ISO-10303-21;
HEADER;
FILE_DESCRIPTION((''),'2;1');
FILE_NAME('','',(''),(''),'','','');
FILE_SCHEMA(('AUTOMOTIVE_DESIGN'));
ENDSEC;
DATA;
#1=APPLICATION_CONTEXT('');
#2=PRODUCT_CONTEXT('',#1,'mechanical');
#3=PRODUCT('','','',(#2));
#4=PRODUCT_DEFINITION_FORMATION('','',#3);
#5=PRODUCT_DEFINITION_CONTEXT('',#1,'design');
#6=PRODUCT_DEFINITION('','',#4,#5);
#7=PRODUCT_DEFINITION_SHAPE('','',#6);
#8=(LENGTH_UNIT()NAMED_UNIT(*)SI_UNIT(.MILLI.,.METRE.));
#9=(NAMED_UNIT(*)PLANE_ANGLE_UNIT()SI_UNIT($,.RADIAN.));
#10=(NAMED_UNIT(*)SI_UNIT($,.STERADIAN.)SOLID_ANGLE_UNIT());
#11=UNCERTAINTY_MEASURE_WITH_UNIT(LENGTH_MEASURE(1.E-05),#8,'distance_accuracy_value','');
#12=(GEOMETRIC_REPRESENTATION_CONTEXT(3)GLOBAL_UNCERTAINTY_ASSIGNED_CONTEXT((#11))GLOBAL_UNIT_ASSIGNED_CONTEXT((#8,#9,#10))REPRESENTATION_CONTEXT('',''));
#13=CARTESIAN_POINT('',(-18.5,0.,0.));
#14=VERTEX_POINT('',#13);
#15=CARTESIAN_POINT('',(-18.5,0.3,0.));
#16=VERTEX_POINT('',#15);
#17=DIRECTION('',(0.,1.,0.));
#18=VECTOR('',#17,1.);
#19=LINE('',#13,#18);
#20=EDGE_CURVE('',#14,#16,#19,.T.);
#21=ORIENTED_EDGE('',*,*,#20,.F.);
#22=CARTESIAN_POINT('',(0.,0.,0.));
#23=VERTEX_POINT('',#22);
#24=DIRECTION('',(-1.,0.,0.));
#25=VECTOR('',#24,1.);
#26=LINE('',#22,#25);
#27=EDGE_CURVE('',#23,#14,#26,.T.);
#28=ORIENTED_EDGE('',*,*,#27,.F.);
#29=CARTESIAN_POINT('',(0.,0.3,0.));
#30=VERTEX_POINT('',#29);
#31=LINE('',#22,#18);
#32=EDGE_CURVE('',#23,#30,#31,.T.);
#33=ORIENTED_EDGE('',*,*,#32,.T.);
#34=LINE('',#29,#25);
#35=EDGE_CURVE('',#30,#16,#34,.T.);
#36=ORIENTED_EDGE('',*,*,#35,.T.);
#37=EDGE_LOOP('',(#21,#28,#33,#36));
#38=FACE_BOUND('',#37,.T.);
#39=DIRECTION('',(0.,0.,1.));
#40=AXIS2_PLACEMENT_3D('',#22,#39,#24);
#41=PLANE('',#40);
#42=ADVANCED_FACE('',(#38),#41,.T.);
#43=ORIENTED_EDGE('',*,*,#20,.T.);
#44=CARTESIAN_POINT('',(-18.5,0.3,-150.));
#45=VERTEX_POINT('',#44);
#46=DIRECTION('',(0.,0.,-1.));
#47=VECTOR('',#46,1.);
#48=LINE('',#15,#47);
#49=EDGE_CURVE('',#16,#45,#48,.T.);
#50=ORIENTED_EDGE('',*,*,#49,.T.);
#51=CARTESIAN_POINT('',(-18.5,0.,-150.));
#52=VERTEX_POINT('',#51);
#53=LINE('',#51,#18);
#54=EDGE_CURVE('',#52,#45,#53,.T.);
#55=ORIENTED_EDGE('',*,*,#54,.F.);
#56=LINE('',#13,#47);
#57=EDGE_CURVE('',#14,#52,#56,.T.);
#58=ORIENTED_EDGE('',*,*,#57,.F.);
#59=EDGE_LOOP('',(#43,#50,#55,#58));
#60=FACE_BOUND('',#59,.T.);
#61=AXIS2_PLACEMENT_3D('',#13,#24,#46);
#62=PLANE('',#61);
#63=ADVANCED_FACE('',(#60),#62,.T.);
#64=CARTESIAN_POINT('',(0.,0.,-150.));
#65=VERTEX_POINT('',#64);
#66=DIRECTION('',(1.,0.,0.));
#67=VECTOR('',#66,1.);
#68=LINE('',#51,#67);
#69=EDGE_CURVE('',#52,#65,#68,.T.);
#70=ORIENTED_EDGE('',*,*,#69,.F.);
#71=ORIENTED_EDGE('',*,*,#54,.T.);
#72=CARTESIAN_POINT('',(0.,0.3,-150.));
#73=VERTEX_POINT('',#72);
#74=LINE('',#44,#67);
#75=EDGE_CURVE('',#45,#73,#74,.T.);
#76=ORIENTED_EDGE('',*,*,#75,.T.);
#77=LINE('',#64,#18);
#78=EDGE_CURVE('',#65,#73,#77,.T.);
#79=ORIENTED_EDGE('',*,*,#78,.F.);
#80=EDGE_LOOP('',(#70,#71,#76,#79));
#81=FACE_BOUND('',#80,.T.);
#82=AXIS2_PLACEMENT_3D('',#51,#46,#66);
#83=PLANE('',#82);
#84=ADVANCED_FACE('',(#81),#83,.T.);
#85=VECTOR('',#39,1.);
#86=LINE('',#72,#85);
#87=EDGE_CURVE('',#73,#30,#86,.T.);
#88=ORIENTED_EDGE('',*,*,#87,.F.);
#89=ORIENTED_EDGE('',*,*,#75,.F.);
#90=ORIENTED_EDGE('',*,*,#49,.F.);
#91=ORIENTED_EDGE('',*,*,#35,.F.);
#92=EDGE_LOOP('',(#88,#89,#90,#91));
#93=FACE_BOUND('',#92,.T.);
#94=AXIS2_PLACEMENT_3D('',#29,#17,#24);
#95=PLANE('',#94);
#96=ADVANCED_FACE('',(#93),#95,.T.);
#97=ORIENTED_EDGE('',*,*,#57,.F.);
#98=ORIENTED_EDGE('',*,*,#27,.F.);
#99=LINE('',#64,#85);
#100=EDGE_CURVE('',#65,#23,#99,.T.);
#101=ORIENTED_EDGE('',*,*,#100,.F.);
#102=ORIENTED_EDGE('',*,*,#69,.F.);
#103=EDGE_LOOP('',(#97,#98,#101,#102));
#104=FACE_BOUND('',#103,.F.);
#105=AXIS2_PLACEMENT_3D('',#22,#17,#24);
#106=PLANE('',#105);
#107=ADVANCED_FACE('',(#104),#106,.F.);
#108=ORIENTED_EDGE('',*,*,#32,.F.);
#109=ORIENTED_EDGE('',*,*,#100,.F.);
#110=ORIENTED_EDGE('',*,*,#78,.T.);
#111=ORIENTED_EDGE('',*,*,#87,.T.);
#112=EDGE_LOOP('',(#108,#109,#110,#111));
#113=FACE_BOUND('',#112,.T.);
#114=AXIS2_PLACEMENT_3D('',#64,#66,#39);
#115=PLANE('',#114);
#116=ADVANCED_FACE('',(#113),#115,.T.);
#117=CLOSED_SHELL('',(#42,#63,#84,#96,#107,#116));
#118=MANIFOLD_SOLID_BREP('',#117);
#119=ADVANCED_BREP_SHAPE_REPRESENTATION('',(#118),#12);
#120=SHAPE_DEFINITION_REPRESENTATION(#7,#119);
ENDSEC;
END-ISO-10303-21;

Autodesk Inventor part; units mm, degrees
ref_plane "YZ Plane" through (0, 0, 0) normal (1, 0, 0) x (0, 1, 0)
ref_plane "XZ Plane" through (0, 0, 0) normal (0, 1, 0) x (-1, 0, 0)
ref_plane "XY Plane" through (0, 0, 0) normal (0, 0, 1) x (1, 0, 0)
sketch "Szkic1" plane through (0, 0, 0) normal (0, 1, 0) x (-1, 0, 0)
  line L0 (0, 0) -> (18.5, 0)
  line L1 (18.5, 0) -> (18.5, -150)
  line L2 (18.5, -150) -> (0, -150)
  line L3 (0, -150) -> (0, 0)
  dimension "d0" = 18.5
  dimension "d1" = 150
extrude "Wyciągnięcie proste1" add sketch "Szkic1" along normal blind 0.3
properties part number "ostrze"
